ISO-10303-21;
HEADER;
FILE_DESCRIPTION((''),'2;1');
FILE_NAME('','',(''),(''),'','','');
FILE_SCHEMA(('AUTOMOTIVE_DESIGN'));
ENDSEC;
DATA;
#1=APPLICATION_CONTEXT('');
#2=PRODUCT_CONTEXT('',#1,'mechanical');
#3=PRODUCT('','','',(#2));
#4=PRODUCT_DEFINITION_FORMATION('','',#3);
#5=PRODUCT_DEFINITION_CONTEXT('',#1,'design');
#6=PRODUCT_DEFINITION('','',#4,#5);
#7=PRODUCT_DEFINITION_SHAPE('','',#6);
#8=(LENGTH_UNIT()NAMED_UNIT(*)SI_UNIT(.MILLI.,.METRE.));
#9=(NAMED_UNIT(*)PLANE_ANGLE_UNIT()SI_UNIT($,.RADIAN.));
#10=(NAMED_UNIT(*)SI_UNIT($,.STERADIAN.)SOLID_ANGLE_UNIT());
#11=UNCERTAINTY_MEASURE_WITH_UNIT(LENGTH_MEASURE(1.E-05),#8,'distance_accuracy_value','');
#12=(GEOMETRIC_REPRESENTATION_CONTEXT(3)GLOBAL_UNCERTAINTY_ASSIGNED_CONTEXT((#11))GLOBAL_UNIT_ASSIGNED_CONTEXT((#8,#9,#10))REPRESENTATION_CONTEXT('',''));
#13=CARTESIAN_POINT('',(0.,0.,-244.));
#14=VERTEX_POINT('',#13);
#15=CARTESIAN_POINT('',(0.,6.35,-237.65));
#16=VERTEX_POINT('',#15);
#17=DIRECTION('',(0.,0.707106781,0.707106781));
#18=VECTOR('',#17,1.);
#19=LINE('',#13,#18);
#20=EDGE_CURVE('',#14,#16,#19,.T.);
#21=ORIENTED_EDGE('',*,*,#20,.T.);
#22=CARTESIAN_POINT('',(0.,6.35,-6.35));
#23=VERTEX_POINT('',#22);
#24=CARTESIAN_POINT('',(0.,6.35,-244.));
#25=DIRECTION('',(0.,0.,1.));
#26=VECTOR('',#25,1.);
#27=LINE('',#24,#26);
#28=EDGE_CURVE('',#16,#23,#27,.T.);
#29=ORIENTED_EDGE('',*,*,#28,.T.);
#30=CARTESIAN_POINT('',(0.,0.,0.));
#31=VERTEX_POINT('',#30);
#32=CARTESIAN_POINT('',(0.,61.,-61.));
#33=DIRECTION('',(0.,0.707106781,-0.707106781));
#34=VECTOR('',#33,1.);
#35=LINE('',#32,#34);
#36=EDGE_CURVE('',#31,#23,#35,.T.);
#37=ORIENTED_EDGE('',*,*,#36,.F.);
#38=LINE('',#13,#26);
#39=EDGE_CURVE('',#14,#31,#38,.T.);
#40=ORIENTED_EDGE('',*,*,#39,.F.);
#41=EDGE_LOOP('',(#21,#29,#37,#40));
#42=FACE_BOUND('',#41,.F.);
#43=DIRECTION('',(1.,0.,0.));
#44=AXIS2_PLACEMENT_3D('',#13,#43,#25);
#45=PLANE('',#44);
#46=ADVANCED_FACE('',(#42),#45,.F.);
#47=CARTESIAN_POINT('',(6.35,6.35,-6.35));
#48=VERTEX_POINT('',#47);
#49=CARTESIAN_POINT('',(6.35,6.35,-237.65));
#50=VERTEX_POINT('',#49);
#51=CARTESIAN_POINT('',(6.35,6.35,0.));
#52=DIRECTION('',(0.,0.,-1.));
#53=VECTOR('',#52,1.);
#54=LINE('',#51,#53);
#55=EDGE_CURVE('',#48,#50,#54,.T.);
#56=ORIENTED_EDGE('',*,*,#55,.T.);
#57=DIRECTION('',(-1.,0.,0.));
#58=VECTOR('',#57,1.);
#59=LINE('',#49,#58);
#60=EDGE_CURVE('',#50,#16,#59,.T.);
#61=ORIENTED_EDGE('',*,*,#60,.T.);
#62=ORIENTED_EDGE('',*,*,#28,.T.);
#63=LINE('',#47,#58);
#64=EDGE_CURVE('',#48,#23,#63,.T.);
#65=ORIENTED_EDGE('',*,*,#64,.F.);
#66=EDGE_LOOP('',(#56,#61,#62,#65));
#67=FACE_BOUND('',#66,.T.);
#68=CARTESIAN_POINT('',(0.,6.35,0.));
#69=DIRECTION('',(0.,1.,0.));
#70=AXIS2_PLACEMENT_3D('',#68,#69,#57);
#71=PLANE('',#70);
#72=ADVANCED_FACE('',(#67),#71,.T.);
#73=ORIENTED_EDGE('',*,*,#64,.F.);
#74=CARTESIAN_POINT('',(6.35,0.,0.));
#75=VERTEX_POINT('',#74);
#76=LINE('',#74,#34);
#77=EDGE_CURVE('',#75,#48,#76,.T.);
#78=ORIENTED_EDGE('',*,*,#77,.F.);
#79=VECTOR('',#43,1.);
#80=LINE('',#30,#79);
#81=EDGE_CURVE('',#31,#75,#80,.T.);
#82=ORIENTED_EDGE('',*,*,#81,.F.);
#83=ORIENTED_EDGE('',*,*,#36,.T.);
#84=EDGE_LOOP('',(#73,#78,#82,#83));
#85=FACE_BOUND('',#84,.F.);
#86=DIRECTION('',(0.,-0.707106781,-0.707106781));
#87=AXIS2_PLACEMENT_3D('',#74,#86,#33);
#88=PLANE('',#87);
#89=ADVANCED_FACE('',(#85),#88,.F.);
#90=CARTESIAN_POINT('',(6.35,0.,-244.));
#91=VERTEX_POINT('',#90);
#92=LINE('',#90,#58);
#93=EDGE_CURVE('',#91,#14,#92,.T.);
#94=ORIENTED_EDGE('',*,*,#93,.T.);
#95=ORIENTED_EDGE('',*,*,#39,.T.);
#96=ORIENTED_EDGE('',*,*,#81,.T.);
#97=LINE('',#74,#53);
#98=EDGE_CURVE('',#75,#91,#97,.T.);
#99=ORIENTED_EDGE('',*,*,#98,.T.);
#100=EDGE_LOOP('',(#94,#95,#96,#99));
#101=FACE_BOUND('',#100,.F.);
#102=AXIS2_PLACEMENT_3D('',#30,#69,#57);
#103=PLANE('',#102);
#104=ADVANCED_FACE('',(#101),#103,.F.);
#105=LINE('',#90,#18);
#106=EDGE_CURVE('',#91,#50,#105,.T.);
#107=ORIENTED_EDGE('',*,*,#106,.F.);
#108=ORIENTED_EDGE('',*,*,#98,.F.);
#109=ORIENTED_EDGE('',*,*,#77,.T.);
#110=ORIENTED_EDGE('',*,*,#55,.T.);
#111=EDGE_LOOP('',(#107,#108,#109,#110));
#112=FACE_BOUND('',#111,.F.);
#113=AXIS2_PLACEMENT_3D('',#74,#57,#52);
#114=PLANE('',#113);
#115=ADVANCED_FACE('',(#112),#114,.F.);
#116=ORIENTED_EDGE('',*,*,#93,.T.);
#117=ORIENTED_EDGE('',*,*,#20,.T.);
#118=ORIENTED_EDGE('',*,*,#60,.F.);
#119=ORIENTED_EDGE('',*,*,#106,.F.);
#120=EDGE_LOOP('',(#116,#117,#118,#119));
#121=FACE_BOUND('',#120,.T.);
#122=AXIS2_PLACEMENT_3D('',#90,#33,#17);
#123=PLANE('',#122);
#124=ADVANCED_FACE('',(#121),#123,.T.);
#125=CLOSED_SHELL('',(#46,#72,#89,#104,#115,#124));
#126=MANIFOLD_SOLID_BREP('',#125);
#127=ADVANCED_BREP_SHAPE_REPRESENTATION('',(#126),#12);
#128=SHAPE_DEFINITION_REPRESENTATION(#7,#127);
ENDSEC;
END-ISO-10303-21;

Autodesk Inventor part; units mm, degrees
ref_plane "YZ Plane" through (0, 0, 0) normal (1, 0, 0) x (0, 1, 0)
ref_plane "XZ Plane" through (0, 0, 0) normal (0, 1, 0) x (-1, 0, 0)
ref_plane "XY Plane" through (0, 0, 0) normal (0, 0, 1) x (1, 0, 0)
sketch "Sketch1" plane through (0, 0, 0) normal (0, 1, 0) x (-1, 0, 0)
  line L0 (0, 0) -> (-6.35, 0)
  line L1 (-6.35, 0) -> (-6.35, -244)
  line L2 (-6.35, -244) -> (0, -244)
  line L3 (0, -244) -> (0, 0)
  dimension "d0" = 6.35
  dimension "d1" = 244
extrude "Extrusion1" add sketch "Sketch1" along normal blind 6.35
sketch "Sketch2" plane through (6.35, 0, 0) normal (1, 0, 0) x (0, 0, -1)
  line L0 (0, 0) -> (244, 0) projected
  line L1 (0, 0) -> (6.35, 6.35)
  line L2 (0, 6.35) -> (244, 6.35) projected
  line L3 (0, 0) -> (8.9803, 0) construction
  line L4 (6.35, 6.35) -> (0, 6.35)
  line L5 (0, 6.35) -> (0, 0)
  dimension "d4" = 45
extrude "Extrusion2" cut sketch "Sketch2" against normal blind 10
sketch "Sketch3" plane through (6.35, 0, -244) normal (1, 0, 0) x (0, 0, -1)
  line L0 (0, 0) -> (-6.35, 6.35)
  line L1 (0, 6.35) -> (-237.65, 6.35) projected
  line L2 (0, 0) -> (8.9803, 0) construction
  line L3 (-6.35, 6.35) -> (0, 6.35)
  line L4 (0, 6.35) -> (0, 0)
  point P0 (-244, 0)
  dimension "d7" = 135
extrude "Extrusion3" cut sketch "Sketch3" against normal blind 10
properties part number "6"
